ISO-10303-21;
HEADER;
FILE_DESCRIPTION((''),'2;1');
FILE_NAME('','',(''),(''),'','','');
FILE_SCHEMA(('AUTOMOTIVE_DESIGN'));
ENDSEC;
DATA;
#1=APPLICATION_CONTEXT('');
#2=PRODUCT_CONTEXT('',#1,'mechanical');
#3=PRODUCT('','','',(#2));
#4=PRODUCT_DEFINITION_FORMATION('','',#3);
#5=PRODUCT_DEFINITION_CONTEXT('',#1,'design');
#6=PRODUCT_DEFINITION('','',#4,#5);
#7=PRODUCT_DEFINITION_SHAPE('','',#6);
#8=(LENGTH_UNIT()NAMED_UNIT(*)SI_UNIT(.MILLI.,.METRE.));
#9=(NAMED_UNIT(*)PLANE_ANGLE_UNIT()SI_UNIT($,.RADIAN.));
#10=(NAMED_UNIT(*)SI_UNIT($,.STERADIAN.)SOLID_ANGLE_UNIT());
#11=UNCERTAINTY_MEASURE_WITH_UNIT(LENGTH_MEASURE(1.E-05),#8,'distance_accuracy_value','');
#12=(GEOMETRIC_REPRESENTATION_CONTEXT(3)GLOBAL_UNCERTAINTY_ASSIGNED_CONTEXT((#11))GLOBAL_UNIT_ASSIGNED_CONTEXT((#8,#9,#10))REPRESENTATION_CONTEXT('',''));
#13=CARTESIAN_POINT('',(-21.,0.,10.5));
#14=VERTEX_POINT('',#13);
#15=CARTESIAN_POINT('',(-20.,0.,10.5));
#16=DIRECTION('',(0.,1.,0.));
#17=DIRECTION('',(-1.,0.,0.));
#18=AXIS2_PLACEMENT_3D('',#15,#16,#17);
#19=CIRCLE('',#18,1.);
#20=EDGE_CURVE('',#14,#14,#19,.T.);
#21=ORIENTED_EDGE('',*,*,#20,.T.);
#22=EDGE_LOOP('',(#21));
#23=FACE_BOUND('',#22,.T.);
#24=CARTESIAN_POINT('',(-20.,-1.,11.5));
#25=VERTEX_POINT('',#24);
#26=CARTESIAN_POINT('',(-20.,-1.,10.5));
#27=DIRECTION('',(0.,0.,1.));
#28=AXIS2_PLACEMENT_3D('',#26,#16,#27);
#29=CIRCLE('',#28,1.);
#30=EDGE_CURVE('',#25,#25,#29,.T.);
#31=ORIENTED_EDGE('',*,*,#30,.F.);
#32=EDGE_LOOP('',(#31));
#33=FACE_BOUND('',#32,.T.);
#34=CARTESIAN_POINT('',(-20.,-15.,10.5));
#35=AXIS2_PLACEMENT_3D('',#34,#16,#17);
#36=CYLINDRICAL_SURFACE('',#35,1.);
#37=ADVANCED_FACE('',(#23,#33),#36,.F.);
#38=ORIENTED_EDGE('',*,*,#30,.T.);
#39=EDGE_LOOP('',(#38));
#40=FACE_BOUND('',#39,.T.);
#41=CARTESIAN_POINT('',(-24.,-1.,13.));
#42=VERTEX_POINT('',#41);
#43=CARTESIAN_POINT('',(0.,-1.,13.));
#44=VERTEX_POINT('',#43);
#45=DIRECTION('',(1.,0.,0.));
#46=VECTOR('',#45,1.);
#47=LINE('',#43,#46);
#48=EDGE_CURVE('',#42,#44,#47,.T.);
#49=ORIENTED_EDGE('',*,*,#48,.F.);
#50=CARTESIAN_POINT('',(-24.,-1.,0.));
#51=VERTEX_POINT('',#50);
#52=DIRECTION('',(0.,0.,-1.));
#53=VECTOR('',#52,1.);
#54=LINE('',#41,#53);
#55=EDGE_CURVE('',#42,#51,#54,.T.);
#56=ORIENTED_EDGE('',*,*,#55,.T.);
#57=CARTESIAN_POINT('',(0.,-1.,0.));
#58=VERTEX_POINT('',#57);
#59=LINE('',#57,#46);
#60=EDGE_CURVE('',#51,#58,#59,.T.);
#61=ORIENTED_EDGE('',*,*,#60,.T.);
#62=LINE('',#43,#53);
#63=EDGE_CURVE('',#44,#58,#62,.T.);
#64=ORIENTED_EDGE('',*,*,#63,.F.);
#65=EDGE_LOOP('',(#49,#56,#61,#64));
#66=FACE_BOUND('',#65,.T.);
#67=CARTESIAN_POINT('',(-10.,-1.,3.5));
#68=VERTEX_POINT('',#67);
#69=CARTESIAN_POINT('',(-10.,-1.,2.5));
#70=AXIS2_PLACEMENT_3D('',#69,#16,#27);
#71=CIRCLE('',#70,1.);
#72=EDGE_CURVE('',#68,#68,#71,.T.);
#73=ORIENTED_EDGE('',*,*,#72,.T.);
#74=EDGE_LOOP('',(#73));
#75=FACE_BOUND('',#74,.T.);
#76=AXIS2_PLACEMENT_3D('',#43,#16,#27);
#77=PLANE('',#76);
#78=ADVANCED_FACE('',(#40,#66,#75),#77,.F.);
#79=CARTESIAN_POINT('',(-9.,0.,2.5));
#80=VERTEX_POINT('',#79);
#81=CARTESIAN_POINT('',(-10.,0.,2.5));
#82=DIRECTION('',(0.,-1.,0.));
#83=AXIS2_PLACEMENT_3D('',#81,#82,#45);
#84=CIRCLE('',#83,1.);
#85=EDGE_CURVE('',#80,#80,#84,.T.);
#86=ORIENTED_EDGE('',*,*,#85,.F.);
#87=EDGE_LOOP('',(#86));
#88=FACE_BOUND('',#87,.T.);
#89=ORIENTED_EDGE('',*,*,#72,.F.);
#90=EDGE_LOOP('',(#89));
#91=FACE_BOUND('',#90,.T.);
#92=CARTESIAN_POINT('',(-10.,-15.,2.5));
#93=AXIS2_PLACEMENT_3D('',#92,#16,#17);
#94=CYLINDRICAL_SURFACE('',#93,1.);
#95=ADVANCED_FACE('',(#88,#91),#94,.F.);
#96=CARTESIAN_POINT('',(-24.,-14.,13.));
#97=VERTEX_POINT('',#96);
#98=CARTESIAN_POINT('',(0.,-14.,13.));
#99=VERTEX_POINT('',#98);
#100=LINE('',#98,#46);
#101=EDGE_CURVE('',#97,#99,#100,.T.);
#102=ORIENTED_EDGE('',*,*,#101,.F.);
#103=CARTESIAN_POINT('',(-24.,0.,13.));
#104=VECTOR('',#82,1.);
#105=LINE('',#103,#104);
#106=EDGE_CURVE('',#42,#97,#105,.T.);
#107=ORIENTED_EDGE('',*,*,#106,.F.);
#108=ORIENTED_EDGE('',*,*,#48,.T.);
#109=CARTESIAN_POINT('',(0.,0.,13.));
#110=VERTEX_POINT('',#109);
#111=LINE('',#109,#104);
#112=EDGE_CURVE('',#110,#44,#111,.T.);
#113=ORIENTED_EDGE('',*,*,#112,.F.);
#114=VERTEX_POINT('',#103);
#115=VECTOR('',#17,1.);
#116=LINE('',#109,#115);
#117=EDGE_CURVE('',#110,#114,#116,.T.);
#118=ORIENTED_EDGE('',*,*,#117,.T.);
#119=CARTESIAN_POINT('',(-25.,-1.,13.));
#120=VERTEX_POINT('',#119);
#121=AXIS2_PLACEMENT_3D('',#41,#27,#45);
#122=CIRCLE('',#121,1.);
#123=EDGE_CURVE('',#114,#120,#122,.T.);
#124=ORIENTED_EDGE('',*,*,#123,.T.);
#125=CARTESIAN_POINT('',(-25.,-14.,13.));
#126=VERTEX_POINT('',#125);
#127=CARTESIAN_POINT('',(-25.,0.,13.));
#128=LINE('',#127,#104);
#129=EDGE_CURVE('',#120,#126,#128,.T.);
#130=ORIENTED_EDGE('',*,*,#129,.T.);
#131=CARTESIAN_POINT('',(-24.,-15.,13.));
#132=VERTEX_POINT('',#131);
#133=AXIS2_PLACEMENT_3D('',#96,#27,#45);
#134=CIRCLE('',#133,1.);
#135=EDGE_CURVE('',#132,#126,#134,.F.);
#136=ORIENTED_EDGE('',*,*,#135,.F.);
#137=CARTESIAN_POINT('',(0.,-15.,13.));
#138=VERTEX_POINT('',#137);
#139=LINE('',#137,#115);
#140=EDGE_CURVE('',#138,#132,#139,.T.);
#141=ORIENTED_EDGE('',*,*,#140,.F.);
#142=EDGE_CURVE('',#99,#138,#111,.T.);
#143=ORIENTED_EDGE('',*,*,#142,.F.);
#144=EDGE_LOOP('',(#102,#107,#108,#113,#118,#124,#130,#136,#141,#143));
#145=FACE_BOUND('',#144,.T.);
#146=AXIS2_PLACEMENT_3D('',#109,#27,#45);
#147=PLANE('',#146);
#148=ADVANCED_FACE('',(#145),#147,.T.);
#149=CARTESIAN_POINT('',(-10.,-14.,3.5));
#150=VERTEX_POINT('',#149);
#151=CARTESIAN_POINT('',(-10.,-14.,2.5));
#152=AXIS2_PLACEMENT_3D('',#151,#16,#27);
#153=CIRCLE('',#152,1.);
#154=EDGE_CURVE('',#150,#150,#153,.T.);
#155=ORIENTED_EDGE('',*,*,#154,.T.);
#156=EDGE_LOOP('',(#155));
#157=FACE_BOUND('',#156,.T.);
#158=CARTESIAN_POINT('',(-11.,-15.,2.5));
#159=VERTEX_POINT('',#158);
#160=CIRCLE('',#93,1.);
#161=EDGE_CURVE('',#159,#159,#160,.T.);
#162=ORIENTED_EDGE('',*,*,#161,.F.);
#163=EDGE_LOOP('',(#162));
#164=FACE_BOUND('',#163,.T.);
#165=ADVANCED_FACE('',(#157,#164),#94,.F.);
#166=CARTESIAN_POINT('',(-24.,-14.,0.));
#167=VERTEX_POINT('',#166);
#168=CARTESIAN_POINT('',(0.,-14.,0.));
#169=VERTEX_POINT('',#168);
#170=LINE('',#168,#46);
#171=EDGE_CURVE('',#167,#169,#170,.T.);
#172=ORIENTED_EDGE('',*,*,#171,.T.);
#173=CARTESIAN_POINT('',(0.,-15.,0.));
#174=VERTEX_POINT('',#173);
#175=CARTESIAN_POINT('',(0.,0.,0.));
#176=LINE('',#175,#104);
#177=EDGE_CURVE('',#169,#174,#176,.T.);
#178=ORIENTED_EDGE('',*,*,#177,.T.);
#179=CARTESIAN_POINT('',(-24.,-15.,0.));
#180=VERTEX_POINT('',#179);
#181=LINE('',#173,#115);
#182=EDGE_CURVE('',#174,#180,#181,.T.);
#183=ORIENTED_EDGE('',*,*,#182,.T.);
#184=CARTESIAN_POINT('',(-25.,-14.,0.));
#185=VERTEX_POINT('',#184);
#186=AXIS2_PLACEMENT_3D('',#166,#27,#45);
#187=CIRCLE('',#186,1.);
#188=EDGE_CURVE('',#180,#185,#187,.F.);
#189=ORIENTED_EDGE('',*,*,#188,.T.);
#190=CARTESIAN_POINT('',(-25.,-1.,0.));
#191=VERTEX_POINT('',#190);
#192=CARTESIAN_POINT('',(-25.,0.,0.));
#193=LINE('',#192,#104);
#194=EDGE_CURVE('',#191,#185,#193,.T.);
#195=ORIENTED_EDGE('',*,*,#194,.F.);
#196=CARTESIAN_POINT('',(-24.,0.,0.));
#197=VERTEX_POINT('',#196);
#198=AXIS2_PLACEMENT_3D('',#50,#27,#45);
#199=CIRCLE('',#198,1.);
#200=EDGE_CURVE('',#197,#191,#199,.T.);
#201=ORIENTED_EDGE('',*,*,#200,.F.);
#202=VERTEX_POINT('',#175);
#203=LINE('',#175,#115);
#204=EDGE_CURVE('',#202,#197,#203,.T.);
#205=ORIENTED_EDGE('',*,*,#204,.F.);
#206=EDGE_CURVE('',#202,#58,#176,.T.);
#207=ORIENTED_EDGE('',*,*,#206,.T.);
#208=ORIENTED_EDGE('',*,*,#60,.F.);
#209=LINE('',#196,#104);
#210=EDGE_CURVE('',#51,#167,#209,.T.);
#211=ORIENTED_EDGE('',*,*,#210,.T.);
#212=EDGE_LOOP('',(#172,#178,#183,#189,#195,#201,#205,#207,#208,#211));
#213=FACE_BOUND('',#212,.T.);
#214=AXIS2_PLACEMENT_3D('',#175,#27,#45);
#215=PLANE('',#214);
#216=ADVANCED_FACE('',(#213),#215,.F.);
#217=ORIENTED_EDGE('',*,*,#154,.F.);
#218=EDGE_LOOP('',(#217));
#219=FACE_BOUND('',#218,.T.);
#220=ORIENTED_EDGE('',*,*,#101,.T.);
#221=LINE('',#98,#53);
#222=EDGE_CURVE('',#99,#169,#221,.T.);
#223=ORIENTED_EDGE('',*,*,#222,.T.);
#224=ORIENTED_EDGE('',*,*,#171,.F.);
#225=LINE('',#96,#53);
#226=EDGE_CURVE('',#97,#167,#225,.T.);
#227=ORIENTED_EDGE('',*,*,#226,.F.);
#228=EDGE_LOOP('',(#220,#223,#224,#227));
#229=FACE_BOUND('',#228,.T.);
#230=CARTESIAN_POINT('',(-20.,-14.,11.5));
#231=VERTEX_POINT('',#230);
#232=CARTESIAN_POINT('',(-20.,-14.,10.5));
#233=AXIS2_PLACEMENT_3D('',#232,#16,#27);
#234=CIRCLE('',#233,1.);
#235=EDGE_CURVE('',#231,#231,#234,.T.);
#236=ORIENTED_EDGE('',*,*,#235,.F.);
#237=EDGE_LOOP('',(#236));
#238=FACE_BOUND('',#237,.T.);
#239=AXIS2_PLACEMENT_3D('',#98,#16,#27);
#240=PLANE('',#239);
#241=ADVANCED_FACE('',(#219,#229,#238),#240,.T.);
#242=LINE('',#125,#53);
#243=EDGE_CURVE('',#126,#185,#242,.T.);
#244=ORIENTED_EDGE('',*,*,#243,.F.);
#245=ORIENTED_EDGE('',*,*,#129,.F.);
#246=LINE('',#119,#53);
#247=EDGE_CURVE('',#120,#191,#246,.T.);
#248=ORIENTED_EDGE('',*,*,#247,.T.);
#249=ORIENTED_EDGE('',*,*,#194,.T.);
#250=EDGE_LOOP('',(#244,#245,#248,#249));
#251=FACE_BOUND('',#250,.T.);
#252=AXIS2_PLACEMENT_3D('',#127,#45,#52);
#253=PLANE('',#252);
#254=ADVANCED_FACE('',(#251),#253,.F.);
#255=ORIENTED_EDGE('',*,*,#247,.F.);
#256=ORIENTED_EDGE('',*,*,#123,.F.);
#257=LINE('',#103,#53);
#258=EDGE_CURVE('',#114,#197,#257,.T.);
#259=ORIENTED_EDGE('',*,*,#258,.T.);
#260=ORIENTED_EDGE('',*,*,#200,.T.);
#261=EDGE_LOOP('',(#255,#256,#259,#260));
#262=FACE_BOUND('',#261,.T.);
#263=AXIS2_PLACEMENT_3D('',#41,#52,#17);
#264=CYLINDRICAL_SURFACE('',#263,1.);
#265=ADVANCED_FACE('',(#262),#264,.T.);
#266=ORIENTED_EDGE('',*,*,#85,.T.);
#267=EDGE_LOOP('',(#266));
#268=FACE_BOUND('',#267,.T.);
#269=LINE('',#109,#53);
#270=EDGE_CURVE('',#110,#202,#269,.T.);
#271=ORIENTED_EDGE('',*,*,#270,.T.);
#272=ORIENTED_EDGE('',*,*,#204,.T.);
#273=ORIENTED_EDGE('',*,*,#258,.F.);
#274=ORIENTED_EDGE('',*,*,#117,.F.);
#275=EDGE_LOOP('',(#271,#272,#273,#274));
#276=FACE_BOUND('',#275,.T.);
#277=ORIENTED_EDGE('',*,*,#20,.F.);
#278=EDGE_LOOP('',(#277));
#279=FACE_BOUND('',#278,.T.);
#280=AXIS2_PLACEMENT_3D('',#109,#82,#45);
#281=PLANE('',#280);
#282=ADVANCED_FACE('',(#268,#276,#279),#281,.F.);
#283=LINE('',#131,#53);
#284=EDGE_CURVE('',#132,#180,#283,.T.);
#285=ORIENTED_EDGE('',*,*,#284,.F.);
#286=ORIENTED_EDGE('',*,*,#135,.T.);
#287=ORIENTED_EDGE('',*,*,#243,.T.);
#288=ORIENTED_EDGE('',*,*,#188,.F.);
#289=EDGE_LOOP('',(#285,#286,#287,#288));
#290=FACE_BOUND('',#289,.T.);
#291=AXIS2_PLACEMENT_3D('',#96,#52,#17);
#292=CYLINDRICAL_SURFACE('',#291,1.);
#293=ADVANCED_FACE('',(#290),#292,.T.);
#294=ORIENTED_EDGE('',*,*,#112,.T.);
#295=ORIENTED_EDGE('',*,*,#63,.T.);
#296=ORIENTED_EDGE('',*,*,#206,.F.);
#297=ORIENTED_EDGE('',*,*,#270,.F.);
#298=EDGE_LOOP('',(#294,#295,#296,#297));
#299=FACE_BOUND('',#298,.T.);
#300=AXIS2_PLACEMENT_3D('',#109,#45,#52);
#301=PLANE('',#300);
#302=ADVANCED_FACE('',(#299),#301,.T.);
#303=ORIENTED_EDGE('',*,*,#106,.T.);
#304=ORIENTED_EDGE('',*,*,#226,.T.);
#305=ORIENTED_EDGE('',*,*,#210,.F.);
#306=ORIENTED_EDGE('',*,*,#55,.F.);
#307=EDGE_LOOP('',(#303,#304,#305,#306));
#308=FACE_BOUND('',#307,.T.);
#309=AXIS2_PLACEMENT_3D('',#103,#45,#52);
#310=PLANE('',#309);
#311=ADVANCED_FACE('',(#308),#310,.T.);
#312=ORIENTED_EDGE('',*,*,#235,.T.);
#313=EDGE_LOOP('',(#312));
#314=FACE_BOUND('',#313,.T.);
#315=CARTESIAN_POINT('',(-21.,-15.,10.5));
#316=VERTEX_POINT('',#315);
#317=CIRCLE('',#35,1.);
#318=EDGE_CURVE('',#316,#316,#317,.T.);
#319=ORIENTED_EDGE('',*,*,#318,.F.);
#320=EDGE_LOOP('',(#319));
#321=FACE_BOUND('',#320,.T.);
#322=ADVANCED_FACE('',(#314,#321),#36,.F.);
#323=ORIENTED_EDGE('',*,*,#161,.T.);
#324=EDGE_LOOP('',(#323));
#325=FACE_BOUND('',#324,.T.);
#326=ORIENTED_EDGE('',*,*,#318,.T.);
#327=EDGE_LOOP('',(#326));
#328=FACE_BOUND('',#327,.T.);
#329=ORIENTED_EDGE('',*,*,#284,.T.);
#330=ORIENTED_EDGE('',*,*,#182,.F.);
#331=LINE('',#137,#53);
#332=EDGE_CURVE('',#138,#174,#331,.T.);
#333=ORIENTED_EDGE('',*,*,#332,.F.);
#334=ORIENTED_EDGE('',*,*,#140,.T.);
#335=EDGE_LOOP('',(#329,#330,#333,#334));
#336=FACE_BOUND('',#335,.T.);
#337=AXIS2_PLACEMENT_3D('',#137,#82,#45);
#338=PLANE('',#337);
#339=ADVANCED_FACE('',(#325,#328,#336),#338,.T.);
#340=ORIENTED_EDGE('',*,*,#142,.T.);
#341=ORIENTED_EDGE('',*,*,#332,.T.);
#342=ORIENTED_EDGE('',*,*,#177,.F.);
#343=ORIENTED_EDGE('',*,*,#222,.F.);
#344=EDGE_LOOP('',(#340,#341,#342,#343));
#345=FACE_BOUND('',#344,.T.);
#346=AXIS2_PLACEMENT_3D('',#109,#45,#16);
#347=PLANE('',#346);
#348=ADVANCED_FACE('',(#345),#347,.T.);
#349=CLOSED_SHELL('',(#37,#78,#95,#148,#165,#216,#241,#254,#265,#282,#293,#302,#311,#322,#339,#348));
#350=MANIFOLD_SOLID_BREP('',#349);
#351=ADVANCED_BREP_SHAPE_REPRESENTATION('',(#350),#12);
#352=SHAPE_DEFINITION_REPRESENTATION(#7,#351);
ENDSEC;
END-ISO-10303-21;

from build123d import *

# Parameters (mm, degrees)
BOSS_EXTRUDE1_DEPTH     = 13
SKETCH3_R               = 1
CUT_EXTRUDE1_DEPTH      = 1
CUT_EXTRUDE1_DEPTH_BACK = 16
SKETCH3_4_R             = 1
CUT_EXTRUDE2_DEPTH      = 1
CUT_EXTRUDE2_DEPTH_BACK = 16


with BuildPart() as part:
    # Sketch2 → Boss-Extrude1 (new body)
    with BuildSketch(Plane.XY):
        with BuildLine():
            ThreePointArc((-24, -15), (-24.707106781, -14.707106781), (-25, -14))
            Line((-25, -14), (-25, -1))
            ThreePointArc((-25, -1), (-24.707106781, -0.292893219), (-24, 0))
            Line((-24, 0), (0, 0))
            Line((0, 0), (0, -1))
            Line((0, -1), (-24, -1))
            Line((-24, -1), (-24, -14))
            Line((-24, -14), (0, -14))
            Line((0, -14), (0, -15))
            Line((0, -15), (-24, -15))
        make_face()
    extrude(amount=BOSS_EXTRUDE1_DEPTH)

    # Sketch3 → Cut-Extrude1 (cut, two sides)
    with BuildSketch(Plane(origin=(0, 0, 0), x_dir=(1, 0, 0), z_dir=(0, 1, 0))) as cut_extrude1_sk:
        with Locations((-10, -2.5)):
            Circle(SKETCH3_R)
    extrude(amount=CUT_EXTRUDE1_DEPTH, mode=Mode.SUBTRACT)
    extrude(cut_extrude1_sk.sketch, amount=-CUT_EXTRUDE1_DEPTH_BACK, mode=Mode.SUBTRACT)

    # Sketch3<4> → Cut-Extrude2 (cut, two sides)
    with BuildSketch(Plane(origin=(0, 0, 0), x_dir=(1, 0, 0), z_dir=(0, 1, 0))) as cut_extrude2_sk:
        with Locations((-10, -2.5)):
            Circle(SKETCH3_4_R)
        with Locations((-20, -10.5)):
            Circle(SKETCH3_4_R)
    extrude(amount=CUT_EXTRUDE2_DEPTH, mode=Mode.SUBTRACT)
    extrude(cut_extrude2_sk.sketch, amount=-CUT_EXTRUDE2_DEPTH_BACK, mode=Mode.SUBTRACT)


solid = part.part
